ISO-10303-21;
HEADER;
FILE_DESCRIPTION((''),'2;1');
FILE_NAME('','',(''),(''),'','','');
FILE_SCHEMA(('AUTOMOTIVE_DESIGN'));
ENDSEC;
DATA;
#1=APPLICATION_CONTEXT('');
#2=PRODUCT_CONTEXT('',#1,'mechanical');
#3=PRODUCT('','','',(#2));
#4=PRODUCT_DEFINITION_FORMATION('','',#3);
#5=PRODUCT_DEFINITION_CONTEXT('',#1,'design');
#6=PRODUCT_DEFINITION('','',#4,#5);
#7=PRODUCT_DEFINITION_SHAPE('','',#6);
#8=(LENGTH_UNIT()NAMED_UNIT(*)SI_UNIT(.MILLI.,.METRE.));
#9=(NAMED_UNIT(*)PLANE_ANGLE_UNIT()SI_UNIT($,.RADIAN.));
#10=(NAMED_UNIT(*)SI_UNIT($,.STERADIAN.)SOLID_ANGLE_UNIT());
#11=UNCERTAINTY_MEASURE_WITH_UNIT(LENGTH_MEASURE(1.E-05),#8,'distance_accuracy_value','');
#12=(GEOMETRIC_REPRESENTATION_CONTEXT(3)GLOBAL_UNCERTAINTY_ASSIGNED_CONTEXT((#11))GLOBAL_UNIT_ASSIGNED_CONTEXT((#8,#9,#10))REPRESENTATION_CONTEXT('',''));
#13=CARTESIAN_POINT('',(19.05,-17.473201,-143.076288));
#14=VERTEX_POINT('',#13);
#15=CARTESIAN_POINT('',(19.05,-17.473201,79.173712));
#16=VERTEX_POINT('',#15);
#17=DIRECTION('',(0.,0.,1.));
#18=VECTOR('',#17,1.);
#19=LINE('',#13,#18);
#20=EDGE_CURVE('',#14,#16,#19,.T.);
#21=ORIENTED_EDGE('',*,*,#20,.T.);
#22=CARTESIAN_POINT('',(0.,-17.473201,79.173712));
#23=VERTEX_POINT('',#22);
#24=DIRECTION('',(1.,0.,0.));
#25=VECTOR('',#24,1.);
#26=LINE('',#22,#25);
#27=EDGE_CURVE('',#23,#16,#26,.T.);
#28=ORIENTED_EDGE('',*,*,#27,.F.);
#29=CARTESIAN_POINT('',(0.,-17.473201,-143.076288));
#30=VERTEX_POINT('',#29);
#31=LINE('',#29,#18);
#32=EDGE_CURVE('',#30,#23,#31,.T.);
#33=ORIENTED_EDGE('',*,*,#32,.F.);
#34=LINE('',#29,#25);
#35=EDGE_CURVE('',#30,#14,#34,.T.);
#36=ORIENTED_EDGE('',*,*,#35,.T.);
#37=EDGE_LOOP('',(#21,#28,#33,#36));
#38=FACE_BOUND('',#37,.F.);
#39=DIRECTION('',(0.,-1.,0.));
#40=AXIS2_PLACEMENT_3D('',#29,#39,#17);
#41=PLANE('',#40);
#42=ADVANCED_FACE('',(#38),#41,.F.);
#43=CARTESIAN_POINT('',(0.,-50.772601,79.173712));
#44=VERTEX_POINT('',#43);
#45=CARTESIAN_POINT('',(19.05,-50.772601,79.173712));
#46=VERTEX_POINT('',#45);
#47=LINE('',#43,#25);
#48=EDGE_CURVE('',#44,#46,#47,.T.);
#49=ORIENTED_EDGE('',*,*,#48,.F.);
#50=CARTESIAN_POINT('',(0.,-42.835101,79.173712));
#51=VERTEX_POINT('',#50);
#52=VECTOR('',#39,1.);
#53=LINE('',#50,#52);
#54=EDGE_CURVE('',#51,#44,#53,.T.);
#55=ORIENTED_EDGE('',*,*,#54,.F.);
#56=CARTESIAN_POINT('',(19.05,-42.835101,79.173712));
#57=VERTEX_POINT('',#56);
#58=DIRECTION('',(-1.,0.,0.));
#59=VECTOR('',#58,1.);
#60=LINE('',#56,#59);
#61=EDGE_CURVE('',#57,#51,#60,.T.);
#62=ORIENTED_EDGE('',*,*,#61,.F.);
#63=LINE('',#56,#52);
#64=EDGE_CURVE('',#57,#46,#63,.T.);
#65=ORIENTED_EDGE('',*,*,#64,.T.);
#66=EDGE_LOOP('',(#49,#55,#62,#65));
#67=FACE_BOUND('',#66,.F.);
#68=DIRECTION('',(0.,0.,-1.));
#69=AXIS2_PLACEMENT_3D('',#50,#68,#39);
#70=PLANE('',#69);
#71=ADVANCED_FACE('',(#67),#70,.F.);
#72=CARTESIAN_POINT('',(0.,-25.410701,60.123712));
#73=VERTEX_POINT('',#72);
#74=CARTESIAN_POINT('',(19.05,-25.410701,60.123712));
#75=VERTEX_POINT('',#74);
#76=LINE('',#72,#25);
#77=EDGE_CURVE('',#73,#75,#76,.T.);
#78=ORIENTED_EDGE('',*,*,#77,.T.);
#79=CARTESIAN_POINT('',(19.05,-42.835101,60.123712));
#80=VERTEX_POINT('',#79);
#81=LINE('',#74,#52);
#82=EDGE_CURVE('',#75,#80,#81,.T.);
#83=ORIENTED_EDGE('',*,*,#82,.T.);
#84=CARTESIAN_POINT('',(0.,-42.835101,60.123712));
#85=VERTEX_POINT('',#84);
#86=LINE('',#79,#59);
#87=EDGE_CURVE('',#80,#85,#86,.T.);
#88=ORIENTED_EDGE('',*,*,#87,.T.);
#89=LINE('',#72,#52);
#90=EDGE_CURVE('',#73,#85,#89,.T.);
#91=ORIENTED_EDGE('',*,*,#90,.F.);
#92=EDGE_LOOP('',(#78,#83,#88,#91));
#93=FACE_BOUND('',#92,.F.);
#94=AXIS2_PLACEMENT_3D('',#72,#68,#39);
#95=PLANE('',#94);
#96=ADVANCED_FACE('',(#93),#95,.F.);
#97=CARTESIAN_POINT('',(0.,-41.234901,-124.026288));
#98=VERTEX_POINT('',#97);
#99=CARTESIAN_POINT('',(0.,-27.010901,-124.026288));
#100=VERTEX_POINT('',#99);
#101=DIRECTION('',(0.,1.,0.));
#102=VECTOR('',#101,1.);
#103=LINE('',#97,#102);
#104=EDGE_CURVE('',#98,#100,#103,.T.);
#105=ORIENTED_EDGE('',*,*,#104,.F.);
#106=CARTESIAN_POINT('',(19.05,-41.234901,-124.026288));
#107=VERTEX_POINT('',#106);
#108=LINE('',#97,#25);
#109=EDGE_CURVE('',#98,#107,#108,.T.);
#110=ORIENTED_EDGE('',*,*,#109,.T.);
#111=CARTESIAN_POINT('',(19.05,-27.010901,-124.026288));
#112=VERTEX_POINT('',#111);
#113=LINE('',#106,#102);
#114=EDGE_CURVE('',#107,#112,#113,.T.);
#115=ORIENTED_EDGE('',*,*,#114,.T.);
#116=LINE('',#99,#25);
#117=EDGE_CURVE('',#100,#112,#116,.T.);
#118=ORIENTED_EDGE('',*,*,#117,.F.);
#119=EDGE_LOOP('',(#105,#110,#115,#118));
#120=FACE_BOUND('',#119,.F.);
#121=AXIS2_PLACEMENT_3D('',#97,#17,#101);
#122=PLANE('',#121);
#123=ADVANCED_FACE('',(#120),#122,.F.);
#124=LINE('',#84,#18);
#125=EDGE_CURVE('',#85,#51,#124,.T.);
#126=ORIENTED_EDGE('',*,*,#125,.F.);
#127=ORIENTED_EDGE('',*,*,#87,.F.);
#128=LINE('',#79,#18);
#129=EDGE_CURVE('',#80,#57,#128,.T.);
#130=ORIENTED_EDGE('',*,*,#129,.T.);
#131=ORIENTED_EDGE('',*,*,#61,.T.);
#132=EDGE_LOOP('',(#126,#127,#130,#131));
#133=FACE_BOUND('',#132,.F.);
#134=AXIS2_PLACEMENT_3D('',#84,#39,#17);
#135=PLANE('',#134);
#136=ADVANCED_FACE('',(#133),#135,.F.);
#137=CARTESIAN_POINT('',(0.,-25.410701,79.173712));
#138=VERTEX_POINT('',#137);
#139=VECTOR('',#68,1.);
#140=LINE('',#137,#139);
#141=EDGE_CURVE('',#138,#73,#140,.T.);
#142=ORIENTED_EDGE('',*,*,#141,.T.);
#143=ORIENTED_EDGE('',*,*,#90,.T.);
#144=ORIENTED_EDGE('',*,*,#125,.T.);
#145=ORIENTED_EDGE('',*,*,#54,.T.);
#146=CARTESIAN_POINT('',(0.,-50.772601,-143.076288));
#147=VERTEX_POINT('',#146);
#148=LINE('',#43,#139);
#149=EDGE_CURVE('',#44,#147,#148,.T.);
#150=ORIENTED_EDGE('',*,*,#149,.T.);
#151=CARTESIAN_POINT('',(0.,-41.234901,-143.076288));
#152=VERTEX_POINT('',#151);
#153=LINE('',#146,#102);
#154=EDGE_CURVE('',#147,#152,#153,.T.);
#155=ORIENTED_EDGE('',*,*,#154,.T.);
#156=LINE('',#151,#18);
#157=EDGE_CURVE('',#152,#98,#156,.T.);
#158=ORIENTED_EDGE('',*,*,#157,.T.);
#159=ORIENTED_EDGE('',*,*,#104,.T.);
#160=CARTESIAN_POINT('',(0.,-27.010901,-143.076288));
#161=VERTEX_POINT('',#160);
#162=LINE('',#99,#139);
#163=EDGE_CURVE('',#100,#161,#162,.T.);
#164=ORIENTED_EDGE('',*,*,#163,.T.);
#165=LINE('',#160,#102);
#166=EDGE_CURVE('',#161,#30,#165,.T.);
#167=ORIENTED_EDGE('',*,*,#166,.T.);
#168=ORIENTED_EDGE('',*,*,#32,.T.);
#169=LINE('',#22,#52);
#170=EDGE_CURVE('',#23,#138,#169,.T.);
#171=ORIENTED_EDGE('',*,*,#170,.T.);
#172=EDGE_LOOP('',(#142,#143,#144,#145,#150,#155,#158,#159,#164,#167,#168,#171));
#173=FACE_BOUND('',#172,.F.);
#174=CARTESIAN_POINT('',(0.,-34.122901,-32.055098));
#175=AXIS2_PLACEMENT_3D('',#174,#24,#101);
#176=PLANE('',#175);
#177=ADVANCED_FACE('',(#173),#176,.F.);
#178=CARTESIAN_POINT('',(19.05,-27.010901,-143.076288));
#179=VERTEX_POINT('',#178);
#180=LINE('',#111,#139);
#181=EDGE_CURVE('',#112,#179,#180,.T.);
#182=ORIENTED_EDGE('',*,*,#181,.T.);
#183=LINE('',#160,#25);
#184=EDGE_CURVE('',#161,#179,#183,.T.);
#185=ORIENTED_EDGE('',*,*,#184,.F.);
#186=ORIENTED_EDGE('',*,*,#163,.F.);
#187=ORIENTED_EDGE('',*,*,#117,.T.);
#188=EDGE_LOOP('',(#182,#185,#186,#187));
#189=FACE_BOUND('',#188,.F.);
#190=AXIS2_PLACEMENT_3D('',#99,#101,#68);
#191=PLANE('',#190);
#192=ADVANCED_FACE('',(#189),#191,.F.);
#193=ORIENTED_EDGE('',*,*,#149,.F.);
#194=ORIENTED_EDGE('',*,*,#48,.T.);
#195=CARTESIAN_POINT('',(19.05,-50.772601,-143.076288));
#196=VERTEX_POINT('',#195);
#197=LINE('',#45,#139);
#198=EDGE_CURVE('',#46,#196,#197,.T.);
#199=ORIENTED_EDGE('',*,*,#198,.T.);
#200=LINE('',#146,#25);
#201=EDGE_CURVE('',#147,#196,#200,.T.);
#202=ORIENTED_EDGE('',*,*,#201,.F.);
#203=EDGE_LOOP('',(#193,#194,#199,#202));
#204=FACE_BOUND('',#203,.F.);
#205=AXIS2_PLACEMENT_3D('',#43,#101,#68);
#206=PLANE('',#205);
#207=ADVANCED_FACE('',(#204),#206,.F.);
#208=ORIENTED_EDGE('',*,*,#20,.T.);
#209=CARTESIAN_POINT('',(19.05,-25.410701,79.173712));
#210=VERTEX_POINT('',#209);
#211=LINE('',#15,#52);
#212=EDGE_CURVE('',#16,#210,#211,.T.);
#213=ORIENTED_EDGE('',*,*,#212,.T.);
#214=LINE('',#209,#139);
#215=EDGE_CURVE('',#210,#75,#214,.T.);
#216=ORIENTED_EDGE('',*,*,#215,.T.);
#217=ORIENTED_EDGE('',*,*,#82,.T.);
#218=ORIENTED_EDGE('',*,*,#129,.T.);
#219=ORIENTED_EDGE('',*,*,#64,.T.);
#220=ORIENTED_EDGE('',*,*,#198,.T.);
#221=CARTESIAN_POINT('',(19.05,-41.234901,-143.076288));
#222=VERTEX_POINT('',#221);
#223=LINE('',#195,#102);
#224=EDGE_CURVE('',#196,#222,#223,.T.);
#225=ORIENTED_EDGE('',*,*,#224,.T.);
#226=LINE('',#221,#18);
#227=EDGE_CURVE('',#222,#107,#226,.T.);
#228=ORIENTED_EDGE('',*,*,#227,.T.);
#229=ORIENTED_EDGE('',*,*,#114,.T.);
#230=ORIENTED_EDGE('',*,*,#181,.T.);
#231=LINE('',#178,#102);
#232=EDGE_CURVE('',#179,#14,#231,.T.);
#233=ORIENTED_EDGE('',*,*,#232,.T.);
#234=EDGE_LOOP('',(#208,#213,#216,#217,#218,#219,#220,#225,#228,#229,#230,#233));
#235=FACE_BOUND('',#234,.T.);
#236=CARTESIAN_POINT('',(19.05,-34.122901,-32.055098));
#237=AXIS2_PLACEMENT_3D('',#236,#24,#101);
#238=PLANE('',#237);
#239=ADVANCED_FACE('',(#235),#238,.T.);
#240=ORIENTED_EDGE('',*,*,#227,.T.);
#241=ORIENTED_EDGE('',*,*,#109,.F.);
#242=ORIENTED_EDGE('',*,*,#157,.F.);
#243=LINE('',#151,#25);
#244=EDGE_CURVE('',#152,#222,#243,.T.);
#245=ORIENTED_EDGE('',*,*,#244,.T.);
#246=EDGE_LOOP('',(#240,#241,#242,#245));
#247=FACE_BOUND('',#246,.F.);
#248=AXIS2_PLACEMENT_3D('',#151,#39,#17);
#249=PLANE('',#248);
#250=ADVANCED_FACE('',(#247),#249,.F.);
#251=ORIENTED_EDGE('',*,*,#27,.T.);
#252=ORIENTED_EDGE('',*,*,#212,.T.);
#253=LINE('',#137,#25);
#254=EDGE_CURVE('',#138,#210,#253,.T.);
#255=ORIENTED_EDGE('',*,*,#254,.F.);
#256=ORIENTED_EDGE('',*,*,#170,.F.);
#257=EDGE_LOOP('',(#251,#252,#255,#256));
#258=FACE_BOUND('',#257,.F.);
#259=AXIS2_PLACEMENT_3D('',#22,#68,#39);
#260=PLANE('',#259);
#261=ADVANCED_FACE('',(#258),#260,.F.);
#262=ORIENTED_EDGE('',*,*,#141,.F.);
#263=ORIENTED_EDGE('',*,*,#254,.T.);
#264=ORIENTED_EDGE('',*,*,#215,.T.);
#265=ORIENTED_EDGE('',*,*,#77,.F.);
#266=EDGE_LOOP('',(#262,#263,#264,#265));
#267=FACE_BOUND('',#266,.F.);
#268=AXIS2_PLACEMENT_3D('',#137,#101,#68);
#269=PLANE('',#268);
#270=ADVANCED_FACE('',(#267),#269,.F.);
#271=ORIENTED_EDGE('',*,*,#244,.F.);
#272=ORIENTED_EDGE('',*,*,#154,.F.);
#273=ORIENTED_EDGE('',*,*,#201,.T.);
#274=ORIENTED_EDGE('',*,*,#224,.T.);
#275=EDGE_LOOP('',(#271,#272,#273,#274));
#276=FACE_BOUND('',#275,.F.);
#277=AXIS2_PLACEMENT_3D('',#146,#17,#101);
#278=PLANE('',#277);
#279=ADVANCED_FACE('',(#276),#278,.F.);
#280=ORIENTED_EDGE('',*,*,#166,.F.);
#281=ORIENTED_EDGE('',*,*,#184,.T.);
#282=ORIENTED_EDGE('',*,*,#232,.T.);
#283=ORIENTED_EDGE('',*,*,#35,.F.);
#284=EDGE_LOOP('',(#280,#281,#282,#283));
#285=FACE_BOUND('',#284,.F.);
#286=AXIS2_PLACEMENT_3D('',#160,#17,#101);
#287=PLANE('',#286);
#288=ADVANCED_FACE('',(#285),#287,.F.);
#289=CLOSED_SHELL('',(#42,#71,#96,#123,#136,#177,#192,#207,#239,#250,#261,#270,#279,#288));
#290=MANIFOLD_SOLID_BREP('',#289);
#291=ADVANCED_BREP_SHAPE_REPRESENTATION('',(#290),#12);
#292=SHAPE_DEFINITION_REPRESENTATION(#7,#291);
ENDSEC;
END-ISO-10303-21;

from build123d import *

# Parameters (mm, degrees)
F1_DEPTH = 19.05
F2_DEPTH = 9.525


with BuildPart() as f1:
    # F0 (on Right) → F1 (new body)
    with BuildSketch(Plane.YZ):
        Polygon((-42.835101, 79.173712), (-50.772601, 79.173712), (-50.772601, -143.076288), (-41.234901, -143.076288), (-41.234901, -124.026288), (-34.122901, -124.026288), (-27.010901, -124.026288), (-27.010901, -143.076288), (-17.473201, -143.076288), (-17.473201, 79.173712), (-25.410701, 79.173712), (-25.410701, 60.123712), (-34.122901, 60.123712), (-42.835101, 60.123712), align=None)
    extrude(amount=F1_DEPTH)

    # F0 (on Right) → F2 (join)
    with BuildSketch(Plane.YZ):
        Polygon((-42.835101, 79.173712), (-50.772601, 79.173712), (-50.772601, -143.076288), (-41.234901, -143.076288), (-41.234901, -124.026288), (-34.122901, -124.026288), (-27.010901, -124.026288), (-27.010901, -143.076288), (-17.473201, -143.076288), (-17.473201, 79.173712), (-25.410701, 79.173712), (-25.410701, 60.123712), (-34.122901, 60.123712), (-42.835101, 60.123712), align=None)
    extrude(amount=F2_DEPTH)


solid = f1.part
